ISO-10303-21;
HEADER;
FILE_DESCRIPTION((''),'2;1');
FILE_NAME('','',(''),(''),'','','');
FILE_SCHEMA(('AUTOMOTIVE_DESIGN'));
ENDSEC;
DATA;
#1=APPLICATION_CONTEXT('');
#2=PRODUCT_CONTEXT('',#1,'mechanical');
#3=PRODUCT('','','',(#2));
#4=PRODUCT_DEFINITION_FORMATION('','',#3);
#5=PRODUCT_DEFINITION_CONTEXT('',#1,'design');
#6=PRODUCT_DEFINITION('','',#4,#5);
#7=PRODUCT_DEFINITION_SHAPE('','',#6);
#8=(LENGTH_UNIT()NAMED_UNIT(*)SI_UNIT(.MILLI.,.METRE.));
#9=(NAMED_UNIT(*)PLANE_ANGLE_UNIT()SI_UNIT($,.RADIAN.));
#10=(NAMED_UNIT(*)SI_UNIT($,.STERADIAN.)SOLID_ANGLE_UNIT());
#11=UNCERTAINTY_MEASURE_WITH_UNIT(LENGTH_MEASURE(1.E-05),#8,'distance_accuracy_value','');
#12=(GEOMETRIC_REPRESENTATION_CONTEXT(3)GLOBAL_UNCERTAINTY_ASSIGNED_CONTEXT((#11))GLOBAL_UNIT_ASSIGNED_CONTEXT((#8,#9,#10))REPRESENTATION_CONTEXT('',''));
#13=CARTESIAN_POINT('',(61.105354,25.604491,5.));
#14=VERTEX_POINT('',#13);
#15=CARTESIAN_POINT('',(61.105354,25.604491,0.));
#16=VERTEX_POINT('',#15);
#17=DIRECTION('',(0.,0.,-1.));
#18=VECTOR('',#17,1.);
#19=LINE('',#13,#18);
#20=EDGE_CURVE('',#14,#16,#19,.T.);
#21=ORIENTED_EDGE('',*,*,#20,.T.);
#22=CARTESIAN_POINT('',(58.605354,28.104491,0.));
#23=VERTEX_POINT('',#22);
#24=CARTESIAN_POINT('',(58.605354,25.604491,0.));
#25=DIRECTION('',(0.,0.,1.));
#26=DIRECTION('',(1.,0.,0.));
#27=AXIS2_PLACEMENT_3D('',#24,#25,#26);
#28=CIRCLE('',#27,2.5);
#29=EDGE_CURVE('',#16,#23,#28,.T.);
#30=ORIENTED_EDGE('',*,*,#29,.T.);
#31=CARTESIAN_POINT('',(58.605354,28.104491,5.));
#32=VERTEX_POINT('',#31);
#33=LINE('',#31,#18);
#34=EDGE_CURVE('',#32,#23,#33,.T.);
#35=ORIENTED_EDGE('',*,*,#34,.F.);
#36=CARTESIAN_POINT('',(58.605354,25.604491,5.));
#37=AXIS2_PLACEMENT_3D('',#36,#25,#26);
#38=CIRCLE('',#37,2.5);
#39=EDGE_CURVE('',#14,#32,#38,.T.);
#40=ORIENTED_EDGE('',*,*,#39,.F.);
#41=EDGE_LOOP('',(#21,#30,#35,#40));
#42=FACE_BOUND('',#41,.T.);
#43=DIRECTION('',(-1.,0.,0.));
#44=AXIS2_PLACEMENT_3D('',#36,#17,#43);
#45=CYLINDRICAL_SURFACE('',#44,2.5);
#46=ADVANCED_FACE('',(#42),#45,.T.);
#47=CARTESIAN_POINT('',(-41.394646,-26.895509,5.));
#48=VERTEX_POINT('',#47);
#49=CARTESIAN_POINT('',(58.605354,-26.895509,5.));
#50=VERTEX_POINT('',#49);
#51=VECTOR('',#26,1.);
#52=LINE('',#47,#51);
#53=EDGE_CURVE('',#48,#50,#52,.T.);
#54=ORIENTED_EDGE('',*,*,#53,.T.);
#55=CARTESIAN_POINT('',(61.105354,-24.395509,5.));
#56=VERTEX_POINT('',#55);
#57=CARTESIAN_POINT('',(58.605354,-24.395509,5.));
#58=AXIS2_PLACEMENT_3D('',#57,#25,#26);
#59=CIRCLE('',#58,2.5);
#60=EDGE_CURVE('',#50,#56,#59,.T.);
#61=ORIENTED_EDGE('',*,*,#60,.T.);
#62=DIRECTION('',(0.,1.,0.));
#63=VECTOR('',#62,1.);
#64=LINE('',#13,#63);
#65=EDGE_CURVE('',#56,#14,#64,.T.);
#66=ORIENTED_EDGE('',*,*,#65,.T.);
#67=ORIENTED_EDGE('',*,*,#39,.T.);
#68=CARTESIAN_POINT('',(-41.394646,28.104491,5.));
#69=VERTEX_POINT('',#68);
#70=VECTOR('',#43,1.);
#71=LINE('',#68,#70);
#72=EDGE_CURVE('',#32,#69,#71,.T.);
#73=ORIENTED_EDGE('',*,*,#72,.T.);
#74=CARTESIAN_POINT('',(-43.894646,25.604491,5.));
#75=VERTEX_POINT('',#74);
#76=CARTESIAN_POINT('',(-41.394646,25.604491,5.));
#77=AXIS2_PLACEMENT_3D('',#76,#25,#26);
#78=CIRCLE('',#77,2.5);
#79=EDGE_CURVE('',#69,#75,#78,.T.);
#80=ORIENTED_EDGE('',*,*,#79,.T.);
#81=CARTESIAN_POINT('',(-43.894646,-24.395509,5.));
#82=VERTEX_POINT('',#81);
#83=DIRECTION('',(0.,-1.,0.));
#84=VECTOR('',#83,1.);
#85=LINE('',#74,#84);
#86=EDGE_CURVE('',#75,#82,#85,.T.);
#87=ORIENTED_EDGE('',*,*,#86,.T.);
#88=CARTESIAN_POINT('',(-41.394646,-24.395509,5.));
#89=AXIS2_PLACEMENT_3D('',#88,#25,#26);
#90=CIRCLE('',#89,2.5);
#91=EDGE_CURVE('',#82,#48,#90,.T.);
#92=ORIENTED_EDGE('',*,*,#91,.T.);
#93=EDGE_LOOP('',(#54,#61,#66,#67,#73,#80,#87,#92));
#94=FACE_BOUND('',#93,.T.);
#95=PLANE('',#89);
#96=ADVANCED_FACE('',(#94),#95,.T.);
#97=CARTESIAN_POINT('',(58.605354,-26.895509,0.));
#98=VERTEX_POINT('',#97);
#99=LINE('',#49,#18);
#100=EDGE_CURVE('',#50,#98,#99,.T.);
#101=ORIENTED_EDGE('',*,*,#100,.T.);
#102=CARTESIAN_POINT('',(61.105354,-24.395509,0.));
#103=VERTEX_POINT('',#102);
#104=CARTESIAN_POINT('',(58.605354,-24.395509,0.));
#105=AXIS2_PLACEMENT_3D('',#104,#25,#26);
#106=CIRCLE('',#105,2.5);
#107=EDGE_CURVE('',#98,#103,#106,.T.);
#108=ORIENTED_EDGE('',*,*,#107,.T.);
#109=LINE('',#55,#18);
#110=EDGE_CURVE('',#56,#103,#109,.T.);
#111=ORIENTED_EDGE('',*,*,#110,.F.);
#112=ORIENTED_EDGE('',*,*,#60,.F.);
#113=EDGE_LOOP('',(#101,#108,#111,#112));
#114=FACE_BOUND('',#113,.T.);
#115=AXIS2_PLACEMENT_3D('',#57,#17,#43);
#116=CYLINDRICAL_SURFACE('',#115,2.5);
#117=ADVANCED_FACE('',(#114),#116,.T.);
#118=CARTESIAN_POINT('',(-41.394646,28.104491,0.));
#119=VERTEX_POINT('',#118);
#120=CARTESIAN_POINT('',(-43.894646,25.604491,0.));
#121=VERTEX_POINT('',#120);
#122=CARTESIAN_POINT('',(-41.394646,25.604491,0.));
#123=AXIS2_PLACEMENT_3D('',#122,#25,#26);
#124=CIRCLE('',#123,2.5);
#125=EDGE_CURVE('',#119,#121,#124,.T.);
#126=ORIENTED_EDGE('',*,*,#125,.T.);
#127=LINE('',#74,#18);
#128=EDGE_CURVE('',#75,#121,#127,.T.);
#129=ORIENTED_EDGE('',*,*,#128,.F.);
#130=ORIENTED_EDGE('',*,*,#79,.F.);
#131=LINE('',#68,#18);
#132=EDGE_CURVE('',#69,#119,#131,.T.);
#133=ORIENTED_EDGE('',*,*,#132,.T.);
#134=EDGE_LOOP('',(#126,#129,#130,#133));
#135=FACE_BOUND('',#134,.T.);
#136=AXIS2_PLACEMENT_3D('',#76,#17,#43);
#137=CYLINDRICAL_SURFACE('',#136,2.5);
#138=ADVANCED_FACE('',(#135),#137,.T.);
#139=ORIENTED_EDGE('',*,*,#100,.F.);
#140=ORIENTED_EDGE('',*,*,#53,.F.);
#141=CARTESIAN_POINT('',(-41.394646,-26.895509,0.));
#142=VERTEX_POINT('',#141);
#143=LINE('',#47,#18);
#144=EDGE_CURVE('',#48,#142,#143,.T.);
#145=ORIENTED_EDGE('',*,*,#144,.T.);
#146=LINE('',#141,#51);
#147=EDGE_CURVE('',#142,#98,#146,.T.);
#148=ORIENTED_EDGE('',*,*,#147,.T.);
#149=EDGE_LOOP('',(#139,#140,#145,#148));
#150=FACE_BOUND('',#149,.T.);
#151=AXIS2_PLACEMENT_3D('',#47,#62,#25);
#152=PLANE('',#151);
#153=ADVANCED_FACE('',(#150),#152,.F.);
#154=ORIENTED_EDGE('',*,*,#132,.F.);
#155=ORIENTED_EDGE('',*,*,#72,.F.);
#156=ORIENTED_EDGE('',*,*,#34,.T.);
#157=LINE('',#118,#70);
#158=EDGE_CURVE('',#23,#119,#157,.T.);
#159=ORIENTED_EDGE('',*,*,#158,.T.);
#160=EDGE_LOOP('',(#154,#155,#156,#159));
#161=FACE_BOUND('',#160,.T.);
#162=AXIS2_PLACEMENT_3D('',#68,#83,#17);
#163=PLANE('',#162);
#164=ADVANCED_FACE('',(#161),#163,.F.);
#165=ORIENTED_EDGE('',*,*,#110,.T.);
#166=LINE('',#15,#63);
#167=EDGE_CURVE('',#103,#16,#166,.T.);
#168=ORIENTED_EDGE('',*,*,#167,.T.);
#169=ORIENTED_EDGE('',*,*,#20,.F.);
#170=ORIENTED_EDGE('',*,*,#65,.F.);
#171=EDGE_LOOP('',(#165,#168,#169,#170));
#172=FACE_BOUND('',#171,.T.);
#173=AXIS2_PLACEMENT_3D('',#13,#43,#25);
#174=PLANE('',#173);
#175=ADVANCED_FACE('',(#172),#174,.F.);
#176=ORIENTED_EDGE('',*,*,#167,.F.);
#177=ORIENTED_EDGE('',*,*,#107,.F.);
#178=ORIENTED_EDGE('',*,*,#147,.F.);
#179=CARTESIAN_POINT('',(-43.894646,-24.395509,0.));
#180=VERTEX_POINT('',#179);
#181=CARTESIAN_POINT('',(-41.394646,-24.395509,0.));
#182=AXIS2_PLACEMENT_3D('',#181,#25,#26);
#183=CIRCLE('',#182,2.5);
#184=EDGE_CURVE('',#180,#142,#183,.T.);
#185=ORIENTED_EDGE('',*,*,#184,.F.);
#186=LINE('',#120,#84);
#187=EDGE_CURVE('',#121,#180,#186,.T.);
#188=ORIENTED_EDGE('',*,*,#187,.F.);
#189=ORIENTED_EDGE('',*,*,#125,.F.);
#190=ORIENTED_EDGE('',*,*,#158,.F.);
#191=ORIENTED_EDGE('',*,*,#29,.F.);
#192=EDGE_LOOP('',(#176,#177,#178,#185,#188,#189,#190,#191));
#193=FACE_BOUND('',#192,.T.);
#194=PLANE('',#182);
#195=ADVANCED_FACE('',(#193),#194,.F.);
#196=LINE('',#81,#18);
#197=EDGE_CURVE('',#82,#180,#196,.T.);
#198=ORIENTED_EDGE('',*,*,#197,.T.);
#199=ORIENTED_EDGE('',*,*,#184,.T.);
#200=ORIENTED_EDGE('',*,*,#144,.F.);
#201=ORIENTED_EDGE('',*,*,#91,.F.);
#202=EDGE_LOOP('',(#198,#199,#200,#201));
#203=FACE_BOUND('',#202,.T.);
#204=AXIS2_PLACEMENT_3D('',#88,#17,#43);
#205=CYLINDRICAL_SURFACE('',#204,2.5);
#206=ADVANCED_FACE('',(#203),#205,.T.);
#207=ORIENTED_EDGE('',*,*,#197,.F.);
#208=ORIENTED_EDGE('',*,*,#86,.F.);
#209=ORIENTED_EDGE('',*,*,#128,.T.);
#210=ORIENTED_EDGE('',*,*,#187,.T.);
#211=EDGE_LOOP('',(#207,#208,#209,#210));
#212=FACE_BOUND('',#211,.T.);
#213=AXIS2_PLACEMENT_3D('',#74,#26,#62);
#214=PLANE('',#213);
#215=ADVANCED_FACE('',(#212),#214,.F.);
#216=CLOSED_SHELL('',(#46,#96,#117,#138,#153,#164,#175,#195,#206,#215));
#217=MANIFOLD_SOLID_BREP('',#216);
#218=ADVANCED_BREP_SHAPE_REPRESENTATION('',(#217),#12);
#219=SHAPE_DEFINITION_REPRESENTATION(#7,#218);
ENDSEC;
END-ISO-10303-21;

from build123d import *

# Parameters (mm, degrees)
SALIENTE_EXTRUIR1_DEPTH = 5


with BuildPart() as part:
    # Croquis1 → Saliente-Extruir1 (new body)
    with BuildSketch(Plane.XY):
        with BuildLine():
            Line((-41.394645941, 28.104490501), (58.605354059, 28.104490501))
            ThreePointArc((58.605354059, 28.104490501), (60.373121012, 27.372257454), (61.105354059, 25.604490501))
            Line((61.105354059, 25.604490501), (61.105354059, -24.395509499))
            ThreePointArc((61.105354059, -24.395509499), (60.373121012, -26.163276452), (58.605354059, -26.895509499))
            Line((58.605354059, -26.895509499), (-41.394645941, -26.895509499))
            ThreePointArc((-41.394645941, -26.895509499), (-43.162412894, -26.163276452), (-43.894645941, -24.395509499))
            Line((-43.894645941, -24.395509499), (-43.894645941, 25.604490501))
            ThreePointArc((-43.894645941, 25.604490501), (-43.162412894, 27.372257454), (-41.394645941, 28.104490501))
        make_face()
    extrude(amount=SALIENTE_EXTRUIR1_DEPTH)


solid = part.part
